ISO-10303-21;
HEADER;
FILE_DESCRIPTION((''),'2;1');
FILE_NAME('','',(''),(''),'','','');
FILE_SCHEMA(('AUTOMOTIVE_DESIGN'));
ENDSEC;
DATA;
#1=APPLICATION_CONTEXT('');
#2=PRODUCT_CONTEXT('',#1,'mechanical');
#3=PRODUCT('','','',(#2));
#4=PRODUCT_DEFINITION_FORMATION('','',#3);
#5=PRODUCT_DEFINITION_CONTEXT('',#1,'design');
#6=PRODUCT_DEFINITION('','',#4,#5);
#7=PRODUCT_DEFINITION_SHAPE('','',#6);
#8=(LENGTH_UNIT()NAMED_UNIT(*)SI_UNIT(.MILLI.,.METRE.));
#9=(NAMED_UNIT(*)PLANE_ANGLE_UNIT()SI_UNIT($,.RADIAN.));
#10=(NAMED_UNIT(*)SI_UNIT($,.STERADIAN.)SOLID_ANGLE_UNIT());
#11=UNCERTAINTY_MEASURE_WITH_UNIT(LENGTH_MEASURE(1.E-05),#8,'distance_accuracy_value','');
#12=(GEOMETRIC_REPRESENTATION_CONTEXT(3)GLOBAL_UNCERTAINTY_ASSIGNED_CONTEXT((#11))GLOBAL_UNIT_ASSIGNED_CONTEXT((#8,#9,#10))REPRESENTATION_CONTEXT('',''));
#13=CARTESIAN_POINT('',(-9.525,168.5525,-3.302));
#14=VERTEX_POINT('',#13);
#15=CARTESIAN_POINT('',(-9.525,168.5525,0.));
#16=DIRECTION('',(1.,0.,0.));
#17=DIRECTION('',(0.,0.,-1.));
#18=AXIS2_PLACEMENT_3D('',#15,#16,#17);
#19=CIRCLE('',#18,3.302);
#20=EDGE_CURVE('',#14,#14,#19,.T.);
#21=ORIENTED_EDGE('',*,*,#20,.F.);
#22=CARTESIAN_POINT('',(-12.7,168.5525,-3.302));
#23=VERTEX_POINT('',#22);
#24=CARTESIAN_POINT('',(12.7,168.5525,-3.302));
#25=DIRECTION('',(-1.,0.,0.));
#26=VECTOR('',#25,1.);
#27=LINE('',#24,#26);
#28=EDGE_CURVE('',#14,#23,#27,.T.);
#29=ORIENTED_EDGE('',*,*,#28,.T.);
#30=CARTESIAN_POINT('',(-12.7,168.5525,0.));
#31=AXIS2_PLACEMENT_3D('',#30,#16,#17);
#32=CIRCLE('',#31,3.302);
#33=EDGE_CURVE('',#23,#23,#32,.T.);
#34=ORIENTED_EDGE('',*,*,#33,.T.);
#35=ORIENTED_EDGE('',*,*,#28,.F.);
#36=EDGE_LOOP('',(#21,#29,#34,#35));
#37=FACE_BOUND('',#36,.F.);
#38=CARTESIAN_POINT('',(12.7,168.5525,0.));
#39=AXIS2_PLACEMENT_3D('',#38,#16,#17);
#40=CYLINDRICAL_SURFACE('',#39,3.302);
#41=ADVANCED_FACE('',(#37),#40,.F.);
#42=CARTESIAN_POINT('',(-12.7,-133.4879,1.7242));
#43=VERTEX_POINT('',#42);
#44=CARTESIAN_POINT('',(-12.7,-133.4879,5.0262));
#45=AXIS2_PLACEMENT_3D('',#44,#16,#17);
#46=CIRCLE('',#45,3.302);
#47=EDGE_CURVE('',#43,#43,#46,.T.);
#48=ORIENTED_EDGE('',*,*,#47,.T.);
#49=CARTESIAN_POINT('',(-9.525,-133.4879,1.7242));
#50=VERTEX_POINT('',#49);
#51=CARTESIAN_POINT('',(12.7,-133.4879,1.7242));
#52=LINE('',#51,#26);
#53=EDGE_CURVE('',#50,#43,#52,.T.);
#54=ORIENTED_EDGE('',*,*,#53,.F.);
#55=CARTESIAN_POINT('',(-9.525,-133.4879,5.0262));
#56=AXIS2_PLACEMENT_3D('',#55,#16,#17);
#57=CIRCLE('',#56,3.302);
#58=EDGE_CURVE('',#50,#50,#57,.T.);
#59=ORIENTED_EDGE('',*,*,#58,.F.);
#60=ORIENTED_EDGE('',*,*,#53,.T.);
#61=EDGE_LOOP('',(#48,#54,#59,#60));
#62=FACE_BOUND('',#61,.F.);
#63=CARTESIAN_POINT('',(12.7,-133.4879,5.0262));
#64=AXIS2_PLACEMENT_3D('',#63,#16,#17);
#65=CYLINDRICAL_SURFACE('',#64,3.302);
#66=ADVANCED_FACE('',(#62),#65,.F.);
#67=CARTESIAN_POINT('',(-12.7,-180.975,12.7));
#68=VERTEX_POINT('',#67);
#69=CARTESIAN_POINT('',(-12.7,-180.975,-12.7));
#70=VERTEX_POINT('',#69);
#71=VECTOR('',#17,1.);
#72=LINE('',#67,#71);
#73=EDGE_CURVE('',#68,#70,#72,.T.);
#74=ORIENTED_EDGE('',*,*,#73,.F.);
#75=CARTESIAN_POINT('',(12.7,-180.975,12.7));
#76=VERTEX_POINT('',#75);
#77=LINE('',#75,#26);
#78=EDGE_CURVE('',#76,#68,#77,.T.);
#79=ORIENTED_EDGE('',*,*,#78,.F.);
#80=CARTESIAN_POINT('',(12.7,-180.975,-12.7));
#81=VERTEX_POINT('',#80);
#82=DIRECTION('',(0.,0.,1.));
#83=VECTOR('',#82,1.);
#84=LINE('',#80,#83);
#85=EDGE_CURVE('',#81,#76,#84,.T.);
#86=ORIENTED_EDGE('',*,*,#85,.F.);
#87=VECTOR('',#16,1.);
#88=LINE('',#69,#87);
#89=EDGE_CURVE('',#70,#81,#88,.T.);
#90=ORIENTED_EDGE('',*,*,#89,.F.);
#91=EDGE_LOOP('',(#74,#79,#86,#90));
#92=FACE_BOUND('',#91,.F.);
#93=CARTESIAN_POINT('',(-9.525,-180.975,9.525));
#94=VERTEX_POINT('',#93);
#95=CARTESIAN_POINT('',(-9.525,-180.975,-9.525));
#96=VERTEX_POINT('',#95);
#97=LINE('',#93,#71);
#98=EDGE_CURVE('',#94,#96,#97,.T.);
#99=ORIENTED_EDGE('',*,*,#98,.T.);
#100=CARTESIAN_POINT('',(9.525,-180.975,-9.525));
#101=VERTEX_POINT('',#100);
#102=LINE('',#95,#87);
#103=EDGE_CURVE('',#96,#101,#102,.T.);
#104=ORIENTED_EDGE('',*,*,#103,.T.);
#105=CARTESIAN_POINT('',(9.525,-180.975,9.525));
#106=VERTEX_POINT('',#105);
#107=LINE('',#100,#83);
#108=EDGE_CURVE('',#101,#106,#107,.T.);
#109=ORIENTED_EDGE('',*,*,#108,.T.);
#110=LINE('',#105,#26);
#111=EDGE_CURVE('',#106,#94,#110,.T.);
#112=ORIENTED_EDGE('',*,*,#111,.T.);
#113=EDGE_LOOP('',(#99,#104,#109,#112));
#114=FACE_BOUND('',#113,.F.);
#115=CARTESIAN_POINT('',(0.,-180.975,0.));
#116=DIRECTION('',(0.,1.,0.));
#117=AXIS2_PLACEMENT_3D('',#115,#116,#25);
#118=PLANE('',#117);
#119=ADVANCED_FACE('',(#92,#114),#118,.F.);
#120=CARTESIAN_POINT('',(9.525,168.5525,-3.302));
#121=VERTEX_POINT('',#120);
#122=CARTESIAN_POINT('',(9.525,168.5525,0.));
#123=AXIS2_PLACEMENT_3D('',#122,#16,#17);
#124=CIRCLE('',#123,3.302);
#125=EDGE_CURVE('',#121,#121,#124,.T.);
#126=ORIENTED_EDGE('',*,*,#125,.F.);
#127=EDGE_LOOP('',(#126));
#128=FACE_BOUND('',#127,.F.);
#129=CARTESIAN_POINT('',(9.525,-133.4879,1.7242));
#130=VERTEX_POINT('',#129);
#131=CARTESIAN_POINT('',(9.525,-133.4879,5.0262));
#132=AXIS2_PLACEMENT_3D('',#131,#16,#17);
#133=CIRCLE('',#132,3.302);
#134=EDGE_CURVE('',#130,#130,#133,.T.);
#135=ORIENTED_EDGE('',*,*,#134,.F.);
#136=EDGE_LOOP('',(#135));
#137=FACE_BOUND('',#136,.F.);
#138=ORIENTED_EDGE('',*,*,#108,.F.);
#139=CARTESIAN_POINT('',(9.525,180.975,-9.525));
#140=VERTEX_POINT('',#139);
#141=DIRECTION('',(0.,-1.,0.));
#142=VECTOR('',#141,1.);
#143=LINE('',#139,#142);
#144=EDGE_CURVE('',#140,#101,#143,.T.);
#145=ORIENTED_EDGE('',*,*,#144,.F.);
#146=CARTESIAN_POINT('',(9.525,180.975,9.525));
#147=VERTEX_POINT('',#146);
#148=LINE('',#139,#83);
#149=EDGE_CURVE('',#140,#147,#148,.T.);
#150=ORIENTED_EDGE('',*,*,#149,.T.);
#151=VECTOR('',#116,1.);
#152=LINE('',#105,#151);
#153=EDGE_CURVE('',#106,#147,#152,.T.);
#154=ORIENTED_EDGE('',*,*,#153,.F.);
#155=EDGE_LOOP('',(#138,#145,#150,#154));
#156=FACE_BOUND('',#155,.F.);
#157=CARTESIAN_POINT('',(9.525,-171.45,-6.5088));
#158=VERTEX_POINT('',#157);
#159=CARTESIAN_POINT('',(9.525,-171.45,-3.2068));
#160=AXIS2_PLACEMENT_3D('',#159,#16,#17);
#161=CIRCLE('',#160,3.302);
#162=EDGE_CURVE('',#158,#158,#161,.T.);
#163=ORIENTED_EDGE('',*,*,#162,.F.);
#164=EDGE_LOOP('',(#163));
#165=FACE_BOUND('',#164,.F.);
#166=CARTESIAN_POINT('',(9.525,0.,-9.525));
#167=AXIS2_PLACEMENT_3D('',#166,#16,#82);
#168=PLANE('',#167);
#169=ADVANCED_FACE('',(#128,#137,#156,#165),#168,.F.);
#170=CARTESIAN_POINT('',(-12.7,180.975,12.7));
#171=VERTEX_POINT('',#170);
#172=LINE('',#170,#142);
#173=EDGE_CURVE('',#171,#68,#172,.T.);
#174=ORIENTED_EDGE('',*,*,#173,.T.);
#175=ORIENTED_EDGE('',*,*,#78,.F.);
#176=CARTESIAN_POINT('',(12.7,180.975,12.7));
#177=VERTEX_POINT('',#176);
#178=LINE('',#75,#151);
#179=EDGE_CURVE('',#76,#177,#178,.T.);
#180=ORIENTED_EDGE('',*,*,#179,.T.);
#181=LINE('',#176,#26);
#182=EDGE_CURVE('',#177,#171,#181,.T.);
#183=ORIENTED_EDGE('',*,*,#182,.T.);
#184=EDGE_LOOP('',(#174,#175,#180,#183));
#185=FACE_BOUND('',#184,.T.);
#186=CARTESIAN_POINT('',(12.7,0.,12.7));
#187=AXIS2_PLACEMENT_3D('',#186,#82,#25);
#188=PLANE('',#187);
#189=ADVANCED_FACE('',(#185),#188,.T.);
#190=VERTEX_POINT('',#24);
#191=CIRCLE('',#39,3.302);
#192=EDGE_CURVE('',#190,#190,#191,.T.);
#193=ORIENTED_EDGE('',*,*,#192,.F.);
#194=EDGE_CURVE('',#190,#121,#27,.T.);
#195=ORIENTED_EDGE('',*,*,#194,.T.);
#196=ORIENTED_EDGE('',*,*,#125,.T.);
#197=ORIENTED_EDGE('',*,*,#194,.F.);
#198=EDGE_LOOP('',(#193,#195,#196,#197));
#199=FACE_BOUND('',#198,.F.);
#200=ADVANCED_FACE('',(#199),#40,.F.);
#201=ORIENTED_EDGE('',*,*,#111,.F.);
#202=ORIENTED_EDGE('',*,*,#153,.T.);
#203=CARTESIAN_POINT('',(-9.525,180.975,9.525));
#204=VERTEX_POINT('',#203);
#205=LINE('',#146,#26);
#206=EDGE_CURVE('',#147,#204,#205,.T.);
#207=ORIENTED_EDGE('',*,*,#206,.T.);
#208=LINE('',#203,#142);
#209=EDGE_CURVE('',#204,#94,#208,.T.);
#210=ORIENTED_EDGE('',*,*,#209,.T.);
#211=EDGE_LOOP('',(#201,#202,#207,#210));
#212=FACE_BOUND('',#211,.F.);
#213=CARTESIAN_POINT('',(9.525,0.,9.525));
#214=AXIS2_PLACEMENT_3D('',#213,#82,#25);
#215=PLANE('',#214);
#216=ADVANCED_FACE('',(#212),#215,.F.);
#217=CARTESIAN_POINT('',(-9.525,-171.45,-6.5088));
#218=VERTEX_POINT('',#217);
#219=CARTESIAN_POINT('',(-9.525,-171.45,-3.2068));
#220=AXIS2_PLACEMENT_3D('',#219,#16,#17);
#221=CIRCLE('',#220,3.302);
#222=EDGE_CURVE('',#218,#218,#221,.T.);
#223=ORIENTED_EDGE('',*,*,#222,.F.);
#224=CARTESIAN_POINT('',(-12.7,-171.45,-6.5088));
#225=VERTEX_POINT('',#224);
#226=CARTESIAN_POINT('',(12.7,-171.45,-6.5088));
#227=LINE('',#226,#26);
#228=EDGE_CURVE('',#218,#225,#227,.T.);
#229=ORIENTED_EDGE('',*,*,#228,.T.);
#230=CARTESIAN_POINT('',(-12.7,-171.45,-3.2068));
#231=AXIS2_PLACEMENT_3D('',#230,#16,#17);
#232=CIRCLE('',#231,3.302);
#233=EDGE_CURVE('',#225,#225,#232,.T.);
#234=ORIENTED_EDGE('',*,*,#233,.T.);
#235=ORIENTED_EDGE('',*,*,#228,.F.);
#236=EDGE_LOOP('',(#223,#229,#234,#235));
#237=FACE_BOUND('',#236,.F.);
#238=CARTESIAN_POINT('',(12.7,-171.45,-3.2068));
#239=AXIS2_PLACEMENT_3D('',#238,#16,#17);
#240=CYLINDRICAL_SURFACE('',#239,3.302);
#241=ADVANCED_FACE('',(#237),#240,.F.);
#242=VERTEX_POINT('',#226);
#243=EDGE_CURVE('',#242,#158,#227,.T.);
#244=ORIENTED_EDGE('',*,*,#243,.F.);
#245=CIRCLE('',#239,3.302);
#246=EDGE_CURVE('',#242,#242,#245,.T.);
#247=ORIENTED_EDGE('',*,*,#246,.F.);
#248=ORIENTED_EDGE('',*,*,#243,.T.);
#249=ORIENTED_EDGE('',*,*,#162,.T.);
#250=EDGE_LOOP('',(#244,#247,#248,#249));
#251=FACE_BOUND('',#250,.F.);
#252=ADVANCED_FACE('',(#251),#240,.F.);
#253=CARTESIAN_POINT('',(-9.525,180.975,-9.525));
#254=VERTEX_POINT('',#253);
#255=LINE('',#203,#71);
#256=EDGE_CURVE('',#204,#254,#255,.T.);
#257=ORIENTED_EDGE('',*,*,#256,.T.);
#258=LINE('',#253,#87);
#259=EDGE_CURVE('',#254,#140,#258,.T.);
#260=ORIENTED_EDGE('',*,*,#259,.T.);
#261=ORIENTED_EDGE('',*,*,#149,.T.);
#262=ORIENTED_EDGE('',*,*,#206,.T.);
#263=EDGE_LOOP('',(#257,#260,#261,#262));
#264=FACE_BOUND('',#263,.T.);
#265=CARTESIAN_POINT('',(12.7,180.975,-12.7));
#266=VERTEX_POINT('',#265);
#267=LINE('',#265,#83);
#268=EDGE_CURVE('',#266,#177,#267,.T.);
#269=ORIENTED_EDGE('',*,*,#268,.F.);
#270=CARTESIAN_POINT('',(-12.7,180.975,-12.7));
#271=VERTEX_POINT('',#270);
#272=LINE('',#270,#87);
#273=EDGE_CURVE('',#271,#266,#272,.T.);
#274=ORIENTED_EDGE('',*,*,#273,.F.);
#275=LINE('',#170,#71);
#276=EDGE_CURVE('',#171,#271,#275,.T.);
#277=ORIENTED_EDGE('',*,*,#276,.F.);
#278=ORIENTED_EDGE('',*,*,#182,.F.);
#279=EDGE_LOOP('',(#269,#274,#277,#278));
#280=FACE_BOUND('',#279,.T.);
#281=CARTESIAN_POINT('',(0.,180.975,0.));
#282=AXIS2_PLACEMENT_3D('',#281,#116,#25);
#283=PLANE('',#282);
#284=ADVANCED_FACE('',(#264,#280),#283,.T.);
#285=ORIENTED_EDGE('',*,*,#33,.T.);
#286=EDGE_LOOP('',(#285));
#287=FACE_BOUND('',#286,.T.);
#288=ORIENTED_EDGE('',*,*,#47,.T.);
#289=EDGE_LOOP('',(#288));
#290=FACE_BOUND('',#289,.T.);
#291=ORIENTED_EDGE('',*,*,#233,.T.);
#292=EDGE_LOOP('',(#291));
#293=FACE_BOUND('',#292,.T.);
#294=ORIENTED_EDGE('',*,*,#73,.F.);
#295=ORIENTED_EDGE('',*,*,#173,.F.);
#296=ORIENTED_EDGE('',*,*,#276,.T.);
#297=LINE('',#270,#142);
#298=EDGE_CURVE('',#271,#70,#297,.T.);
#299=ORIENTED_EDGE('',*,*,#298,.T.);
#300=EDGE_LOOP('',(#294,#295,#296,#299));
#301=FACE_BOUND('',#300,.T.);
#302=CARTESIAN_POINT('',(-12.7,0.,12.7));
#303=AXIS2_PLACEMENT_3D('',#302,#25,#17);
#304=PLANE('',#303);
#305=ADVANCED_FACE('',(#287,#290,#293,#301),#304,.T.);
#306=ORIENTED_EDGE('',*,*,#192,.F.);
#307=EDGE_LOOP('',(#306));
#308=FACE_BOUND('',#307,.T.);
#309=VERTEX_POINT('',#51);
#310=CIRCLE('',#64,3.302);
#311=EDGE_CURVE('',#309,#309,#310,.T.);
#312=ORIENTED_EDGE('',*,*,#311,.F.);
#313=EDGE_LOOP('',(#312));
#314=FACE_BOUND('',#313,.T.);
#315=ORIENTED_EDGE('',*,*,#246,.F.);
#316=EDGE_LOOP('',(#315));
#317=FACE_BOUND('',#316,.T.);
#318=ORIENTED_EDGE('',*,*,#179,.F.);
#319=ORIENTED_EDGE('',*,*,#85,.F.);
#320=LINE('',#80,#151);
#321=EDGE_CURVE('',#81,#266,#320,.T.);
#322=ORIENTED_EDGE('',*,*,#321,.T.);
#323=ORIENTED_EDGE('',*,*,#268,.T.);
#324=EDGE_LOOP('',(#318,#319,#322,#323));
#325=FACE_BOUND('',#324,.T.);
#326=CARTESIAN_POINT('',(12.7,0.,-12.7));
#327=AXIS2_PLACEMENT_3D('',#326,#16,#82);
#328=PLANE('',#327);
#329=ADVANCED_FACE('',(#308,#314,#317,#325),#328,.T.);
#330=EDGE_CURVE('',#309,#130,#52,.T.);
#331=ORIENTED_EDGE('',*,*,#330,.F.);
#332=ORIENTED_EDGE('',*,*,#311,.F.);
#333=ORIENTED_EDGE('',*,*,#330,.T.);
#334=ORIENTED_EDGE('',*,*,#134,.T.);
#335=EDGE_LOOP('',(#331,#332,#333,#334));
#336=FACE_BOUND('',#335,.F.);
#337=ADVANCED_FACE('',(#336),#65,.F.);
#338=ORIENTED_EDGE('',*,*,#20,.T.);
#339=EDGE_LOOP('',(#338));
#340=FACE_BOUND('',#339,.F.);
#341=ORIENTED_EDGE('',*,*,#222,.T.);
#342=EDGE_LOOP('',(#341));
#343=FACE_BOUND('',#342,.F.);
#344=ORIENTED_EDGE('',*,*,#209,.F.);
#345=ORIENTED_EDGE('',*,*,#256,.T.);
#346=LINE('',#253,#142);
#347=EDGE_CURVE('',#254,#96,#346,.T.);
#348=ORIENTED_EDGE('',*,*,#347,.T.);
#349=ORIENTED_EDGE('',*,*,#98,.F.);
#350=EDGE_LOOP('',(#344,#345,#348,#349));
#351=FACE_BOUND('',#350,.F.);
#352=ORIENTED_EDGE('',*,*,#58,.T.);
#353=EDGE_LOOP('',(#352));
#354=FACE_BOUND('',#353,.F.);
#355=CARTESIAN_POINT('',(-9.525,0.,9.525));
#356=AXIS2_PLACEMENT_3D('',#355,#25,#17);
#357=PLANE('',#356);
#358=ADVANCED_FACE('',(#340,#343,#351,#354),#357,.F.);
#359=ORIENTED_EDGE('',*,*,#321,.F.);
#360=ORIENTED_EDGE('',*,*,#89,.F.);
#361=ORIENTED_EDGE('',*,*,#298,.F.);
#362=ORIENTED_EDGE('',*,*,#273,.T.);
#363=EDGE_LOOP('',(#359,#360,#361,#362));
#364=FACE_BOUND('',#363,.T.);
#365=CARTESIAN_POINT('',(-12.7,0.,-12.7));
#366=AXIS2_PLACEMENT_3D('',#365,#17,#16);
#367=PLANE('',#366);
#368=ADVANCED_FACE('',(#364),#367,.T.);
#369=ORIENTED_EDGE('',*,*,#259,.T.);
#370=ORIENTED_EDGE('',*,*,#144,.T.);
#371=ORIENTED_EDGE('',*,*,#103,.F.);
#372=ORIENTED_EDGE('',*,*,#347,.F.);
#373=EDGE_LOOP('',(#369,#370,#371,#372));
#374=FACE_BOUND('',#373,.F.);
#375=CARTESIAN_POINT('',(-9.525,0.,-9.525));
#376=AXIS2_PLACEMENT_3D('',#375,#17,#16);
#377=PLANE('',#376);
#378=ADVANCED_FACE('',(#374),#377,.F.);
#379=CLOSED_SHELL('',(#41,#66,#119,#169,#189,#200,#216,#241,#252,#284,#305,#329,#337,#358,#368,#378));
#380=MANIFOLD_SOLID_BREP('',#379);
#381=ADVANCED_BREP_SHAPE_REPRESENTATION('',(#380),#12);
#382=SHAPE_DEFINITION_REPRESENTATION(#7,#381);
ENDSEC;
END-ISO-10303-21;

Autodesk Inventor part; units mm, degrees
ref_plane "YZ Plane" through (0, 0, 0) normal (1, 0, 0) x (0, 1, 0)
ref_plane "XZ Plane" through (0, 0, 0) normal (0, 1, 0) x (-1, 0, 0)
ref_plane "XY Plane" through (0, 0, 0) normal (0, 0, 1) x (1, 0, 0)
sketch "Sketch1" plane through (0, 0, 0) normal (0, 1, 0) x (-1, 0, 0)
  line L0 (-12.7, 12.7) -> (12.7, 12.7)
  line L1 (12.7, 12.7) -> (12.7, -12.7)
  line L2 (12.7, -12.7) -> (-12.7, -12.7)
  line L3 (-12.7, -12.7) -> (-12.7, 12.7)
  line L4 (-12.7, 12.7) -> (12.7, -12.7) construction
  line L5 (12.7, 12.7) -> (-12.7, -12.7) construction
  line L6 (-9.525, 9.525) -> (9.525, 9.525)
  line L7 (9.525, 9.525) -> (9.525, -9.525)
  line L8 (9.525, -9.525) -> (-9.525, -9.525)
  line L9 (-9.525, -9.525) -> (-9.525, 9.525)
  line L10 (-9.525, 9.525) -> (9.525, -9.525) construction
  line L11 (9.525, 9.525) -> (-9.525, -9.525) construction
  point P0 (0, 0)
  dimension "d0" = 25.4
  dimension "d1" = 3.175
extrude "Extrusion1" add sketch "Sketch1" along normal mid plane 361.95
sketch "Sketch2" plane through (12.7, -180.975, -12.7) normal (1, 0, 0) x (0, 0, -1)
  line L0 (0, 0) -> (-25.4, 0) construction
  line L1 (-25.4, 361.95) -> (0, 361.95) construction
  circle A0 centre (-16.6734, -12.8287) radius 3.302 construction
  circle A1 centre (-17.7262, 47.4871) radius 3.302
  circle A2 centre (-9.4932, 9.525) radius 3.302
  circle A3 centre (-12.7, 349.5275) radius 3.302
  line L2 (-16.6734, -12.8287) -> (-17.7262, 47.4871) construction
  line L3 (-25.4, 0) -> (-25.4, 361.95) construction
  line L4 (-3.175, 361.95) -> (-3.175, 0) construction
  line L5 (-9.4932, 15.9408) -> (-3.937, 12.7329)
  line L6 (-3.937, 12.7329) -> (-3.937, 6.3171)
  line L7 (-3.937, 6.3171) -> (-9.4932, 3.1092)
  line L8 (-9.4932, 3.1092) -> (-15.0495, 6.3171)
  line L9 (-15.0495, 6.3171) -> (-15.0495, 12.7329)
  line L10 (-15.0495, 12.7329) -> (-9.4932, 15.9408)
  line L11 (-9.4932, 9.525) -> (-10.1582, 47.6192) construction
  line L12 (-10.1582, 47.6192) -> (-17.7262, 47.4871) construction
  point P0 (-12.7, 180.975)
  dimension "d5" = 6.604
  dimension "d6" = 60.325
  dimension "d9" = 6.604
  dimension "d10" = 302.0822
  dimension "d15" = 7.5692
  dimension "d16" = 12.7
  dimension "d17" = 6.604
  dimension "d18" = 11.1125
  dimension "d19" = 1
  dimension "d20" = 9.525
  dimension "d22" = 38.1
  dimension "d23" = 0.762
extrude "Extrusion2" cut sketch "Sketch2" against normal through all contours A1 | A2 | A3
properties part number "cylinder arm" material "Aluminum 6061"
